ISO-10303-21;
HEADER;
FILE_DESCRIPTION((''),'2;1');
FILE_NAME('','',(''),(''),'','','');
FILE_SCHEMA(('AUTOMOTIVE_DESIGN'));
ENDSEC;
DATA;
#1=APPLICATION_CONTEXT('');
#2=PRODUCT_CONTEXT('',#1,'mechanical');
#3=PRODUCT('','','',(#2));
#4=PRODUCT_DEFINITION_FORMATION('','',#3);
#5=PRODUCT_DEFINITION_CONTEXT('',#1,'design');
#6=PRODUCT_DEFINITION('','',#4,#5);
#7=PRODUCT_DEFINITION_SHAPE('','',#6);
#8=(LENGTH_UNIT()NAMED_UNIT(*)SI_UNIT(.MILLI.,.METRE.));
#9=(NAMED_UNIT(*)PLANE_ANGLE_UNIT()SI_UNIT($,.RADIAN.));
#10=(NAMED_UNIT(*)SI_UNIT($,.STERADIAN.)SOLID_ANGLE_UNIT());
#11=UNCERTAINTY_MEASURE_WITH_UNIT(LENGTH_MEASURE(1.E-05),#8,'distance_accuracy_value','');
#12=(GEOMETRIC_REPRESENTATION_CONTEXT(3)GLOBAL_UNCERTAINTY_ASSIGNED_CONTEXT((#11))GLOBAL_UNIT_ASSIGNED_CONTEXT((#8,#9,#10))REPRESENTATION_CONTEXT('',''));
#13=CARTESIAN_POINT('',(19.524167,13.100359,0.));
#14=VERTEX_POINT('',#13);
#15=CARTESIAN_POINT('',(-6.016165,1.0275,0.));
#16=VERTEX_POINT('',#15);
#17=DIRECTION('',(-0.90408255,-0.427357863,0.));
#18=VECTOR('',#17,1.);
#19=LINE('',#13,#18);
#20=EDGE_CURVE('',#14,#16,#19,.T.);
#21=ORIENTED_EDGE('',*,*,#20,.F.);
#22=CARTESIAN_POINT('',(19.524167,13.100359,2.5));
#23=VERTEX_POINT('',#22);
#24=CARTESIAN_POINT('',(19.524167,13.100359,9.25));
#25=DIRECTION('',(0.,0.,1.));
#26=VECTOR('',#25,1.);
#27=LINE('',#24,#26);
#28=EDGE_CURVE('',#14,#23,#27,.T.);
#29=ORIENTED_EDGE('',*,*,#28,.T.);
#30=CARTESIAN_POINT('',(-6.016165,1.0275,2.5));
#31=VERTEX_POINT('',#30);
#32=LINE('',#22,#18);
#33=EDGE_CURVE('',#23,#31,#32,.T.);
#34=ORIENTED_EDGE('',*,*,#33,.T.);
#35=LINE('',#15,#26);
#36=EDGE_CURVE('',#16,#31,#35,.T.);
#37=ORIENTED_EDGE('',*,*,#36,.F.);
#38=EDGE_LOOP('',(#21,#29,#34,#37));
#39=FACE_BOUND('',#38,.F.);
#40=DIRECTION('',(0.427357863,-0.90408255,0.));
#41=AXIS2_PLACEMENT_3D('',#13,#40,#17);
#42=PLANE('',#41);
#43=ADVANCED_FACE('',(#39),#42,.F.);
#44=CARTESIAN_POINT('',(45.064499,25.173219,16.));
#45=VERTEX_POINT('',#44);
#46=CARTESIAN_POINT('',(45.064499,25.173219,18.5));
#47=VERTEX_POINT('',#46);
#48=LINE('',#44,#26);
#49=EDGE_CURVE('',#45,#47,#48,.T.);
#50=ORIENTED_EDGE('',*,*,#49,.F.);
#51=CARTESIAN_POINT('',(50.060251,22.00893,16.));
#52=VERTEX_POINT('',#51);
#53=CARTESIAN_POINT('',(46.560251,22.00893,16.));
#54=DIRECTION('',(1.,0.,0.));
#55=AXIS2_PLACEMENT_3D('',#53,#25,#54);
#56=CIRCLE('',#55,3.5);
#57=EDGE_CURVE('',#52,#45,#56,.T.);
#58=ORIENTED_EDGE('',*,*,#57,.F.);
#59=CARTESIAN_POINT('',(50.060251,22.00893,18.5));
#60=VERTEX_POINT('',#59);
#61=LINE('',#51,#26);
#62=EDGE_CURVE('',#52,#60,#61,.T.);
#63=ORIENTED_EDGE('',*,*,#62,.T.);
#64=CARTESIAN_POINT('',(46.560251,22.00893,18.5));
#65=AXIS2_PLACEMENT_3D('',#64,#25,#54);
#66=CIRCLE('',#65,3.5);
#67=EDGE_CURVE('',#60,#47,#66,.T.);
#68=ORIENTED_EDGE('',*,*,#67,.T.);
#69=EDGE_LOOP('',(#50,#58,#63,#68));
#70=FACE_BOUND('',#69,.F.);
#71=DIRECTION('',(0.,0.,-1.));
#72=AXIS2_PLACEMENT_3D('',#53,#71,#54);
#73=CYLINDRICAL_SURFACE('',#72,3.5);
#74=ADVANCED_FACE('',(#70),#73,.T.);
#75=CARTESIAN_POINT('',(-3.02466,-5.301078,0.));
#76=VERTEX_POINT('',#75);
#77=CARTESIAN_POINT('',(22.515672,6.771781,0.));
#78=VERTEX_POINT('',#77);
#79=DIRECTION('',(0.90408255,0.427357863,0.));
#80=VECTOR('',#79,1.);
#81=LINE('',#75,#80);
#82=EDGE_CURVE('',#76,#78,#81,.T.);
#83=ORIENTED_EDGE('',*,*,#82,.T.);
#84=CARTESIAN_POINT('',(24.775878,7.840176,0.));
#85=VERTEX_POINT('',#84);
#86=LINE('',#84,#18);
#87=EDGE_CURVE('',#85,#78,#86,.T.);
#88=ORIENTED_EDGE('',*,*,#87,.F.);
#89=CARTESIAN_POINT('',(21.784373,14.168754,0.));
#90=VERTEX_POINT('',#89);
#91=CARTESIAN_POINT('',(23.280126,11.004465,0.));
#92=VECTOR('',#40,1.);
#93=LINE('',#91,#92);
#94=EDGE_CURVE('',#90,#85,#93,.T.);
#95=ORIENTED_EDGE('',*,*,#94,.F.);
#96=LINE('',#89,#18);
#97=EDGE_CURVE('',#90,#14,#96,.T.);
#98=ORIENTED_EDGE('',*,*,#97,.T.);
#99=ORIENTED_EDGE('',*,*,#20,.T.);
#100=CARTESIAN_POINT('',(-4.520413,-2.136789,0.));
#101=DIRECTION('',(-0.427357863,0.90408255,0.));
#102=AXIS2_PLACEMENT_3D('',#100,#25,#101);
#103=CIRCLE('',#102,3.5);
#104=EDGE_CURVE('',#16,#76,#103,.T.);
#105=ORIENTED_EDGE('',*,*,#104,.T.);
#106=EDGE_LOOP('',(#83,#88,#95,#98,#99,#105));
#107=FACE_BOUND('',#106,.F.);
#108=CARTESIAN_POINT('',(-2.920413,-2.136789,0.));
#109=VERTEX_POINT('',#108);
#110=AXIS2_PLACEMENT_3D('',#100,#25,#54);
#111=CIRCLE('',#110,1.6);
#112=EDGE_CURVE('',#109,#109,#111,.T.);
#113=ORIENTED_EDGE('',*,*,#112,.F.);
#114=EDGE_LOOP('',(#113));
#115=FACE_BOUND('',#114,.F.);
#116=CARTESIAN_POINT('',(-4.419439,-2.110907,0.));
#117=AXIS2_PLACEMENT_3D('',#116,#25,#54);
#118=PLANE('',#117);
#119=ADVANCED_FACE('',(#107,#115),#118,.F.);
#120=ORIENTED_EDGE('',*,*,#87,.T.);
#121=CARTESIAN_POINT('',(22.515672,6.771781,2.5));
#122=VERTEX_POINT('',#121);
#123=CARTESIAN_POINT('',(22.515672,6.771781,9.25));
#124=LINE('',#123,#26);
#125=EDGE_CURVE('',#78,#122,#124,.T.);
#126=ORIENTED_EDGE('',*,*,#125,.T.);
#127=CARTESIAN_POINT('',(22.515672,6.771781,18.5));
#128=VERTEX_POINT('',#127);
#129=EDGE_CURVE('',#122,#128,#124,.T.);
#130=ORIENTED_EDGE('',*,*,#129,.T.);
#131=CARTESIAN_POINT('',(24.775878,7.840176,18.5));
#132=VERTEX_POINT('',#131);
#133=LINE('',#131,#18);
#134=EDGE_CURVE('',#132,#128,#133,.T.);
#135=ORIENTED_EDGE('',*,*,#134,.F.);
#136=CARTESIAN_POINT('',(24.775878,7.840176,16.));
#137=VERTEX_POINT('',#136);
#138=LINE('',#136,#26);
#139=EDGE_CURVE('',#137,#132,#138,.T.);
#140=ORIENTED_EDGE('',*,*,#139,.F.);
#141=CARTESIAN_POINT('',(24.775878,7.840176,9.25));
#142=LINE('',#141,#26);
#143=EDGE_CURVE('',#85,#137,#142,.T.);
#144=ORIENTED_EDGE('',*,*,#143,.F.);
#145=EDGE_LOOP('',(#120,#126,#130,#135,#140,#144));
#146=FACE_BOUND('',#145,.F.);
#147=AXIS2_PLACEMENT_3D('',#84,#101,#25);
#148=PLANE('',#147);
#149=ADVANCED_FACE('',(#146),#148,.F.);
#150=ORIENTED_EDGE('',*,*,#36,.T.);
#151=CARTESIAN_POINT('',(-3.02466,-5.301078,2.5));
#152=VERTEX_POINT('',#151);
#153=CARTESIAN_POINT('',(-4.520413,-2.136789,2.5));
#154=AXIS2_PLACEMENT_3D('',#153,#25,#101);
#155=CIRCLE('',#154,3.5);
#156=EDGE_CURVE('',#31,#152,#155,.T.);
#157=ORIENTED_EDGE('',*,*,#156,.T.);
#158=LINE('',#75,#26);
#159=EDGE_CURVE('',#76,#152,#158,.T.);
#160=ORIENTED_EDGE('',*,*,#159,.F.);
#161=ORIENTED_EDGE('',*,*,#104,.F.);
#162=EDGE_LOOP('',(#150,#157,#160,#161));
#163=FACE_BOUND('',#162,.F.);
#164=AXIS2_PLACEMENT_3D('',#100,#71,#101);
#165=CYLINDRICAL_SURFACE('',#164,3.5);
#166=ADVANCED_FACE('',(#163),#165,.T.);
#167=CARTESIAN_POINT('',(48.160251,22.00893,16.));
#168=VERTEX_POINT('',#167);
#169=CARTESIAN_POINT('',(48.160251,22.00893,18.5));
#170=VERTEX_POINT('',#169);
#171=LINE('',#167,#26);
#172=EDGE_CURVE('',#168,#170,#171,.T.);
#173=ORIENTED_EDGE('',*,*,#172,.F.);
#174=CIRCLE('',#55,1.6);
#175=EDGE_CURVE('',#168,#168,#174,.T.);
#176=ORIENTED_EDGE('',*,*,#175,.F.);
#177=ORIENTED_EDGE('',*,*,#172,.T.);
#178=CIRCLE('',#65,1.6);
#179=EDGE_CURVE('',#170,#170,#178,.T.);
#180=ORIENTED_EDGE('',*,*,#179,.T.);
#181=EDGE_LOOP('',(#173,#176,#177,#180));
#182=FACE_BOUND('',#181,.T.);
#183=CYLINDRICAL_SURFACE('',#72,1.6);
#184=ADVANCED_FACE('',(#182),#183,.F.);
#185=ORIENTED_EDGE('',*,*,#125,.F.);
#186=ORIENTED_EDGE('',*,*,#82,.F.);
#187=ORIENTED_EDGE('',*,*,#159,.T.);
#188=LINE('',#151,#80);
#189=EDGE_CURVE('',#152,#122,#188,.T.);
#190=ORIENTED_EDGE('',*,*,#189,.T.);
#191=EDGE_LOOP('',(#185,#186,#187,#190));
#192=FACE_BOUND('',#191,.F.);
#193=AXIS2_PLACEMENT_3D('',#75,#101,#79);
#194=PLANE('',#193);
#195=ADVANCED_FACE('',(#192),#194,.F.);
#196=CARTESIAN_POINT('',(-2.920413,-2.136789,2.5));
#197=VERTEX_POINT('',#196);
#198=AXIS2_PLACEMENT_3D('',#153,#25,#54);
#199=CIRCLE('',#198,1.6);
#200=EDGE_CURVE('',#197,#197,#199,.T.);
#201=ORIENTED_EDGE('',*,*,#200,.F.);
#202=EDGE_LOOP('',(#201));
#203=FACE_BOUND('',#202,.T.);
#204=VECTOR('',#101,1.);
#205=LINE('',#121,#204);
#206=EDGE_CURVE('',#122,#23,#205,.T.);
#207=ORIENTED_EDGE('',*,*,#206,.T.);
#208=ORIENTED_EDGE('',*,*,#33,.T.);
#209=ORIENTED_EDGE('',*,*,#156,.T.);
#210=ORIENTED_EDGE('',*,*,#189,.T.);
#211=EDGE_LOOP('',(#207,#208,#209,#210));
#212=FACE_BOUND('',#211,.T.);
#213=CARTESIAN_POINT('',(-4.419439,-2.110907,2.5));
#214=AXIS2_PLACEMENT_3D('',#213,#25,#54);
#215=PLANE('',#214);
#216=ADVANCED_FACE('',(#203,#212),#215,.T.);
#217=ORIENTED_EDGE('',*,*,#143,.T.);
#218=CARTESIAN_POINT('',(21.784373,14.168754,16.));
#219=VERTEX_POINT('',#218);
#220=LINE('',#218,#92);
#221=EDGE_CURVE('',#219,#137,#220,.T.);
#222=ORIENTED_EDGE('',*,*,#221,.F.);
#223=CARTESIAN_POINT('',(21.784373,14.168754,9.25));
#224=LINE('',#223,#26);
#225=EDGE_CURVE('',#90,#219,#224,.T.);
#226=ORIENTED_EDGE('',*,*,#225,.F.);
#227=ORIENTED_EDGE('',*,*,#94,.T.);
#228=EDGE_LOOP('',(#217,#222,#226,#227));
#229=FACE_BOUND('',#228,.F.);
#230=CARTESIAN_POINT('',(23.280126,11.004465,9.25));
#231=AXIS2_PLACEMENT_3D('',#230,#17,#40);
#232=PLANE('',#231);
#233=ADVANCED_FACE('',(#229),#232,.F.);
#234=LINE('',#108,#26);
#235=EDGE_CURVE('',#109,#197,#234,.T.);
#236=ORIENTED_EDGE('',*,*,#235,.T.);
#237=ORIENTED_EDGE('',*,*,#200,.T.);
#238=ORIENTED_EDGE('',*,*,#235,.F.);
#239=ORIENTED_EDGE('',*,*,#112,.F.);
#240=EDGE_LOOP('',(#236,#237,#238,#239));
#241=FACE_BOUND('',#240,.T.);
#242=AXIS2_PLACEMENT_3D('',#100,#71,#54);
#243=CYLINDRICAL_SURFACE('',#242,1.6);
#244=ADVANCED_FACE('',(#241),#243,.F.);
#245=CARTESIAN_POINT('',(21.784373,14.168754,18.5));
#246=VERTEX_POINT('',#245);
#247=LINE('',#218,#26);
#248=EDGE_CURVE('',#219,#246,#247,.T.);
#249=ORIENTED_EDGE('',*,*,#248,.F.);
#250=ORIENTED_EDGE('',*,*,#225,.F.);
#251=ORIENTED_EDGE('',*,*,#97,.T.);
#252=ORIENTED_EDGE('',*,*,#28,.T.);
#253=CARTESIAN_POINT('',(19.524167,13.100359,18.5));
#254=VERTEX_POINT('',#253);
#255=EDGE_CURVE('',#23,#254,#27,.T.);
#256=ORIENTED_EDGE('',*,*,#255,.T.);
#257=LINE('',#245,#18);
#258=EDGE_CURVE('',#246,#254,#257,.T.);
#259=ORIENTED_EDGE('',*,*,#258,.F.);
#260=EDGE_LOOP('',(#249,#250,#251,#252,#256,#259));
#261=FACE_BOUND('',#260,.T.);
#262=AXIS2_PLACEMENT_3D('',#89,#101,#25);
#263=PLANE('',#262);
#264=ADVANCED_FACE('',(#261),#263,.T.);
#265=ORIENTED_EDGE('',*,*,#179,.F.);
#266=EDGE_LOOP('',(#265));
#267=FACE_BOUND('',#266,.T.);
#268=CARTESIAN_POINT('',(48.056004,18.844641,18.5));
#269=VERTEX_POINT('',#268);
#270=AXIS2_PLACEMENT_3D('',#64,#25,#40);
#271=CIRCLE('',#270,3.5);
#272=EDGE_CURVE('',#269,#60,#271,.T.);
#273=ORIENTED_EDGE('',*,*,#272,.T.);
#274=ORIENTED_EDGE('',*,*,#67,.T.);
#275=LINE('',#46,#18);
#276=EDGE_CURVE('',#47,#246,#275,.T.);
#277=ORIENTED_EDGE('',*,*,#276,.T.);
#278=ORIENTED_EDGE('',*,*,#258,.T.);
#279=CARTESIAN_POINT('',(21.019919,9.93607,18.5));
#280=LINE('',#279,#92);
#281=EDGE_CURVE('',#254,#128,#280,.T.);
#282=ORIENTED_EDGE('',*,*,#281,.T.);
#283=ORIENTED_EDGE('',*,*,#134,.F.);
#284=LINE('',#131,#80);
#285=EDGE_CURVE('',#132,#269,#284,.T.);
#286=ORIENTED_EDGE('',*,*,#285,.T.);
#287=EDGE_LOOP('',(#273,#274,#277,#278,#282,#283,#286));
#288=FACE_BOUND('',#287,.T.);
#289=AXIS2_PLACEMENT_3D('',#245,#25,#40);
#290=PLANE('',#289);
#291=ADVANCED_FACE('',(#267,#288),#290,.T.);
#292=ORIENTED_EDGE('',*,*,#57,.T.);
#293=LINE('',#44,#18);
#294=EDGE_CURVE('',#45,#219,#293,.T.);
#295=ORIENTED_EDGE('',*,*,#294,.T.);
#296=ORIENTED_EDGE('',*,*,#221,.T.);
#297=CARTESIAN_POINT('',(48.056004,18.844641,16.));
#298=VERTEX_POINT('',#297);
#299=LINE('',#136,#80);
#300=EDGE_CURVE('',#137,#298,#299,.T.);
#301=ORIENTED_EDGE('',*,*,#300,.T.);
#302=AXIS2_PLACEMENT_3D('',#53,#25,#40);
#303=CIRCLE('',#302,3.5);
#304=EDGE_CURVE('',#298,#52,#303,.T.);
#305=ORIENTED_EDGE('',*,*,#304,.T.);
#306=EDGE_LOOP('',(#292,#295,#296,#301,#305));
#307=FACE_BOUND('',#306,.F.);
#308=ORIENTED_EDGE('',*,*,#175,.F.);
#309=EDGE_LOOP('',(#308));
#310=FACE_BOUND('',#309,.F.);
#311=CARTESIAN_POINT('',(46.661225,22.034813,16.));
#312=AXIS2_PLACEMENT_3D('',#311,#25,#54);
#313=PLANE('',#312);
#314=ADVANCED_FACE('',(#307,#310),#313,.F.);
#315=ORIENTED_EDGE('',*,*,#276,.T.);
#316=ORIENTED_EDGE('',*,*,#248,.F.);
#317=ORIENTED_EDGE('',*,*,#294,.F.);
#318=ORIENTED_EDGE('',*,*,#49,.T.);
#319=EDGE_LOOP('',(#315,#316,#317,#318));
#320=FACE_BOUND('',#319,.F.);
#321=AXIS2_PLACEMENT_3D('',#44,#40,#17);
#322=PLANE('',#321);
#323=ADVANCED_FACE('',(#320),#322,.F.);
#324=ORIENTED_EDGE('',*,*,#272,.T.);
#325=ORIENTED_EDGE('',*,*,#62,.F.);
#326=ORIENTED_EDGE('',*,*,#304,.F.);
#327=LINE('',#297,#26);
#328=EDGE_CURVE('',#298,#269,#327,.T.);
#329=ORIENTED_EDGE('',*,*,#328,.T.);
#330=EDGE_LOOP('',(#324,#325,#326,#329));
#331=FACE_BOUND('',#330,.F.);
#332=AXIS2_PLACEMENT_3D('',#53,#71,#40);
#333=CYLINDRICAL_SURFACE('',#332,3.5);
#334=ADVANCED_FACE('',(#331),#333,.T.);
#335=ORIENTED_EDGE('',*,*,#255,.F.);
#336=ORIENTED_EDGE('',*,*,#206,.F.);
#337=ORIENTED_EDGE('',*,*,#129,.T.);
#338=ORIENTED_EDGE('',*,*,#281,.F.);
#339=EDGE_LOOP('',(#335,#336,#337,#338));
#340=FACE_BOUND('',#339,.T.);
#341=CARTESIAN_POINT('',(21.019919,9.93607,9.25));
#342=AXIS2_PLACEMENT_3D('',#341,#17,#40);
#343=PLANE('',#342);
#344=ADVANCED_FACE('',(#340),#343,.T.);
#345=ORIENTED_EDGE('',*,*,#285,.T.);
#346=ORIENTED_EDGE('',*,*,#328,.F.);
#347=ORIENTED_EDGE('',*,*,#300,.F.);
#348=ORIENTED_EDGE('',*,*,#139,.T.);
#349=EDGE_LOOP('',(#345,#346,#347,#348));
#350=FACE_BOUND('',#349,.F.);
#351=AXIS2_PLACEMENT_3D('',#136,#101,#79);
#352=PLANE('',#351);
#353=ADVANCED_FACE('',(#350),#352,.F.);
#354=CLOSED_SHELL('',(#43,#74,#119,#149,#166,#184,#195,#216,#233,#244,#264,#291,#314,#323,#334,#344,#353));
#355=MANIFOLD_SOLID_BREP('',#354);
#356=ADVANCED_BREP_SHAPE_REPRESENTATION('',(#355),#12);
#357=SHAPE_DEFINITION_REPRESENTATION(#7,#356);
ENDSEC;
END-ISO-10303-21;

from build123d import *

# Parameters (mm, degrees)
F1_R     = 1.6
F2_DEPTH = 2.5
F3_W     = 7
F3_H     = 18.5
F4_DEPTH = 2.5
F5_R     = 1.6
F6_DEPTH = 2.5


with BuildPart() as f2:
    # F1 (on offset) → F2 (new body)
    with BuildSketch(Plane.XY.offset(16)):
        with BuildLine():
            ThreePointArc((48.0560038294, 18.8446410406), (49.5170345112, 20.1361157487), (50.0602513075, 22.0089299644))
            ThreePointArc((50.0602513075, 22.0089299644), (48.4330655233, 24.9657131681), (45.0644987857, 25.1732188883))
            ThreePointArc((45.0644987857, 25.1732188883), (43.3959623837, 20.5131774426), (48.0560038294, 18.8446410406))
        make_face()
        with Locations((46.5602513075, 22.0089299644)):
            Circle(F1_R, mode=Mode.SUBTRACT)
        with BuildLine():
            ThreePointArc((48.0560038294, 18.8446410406), (43.3959623837, 20.5131774426), (45.0644987857, 25.1732188883))
            Line((45.0644987857, 25.1732188883), (21.7843731319, 14.168753906))
            Line((21.7843731319, 14.168753906), (24.7758781756, 7.8401760584))
            Line((24.7758781756, 7.8401760584), (48.0560038294, 18.8446410406))
        make_face()
    extrude(amount=F2_DEPTH)

    # F3 (on face) → F4 (join)
    with BuildSketch(Plane(origin=(23.2801256538, 11.0044649822, 0), x_dir=(0.4273578634, -0.9040825497, 0), z_dir=(-0.9040825497, -0.4273578634, 0))):
        with Locations((0, 9.25)):
            Rectangle(F3_W, F3_H)
    extrude(amount=F4_DEPTH)

    # F5 (on Top) → F6 (join)
    with BuildSketch(Plane.XY):
        with BuildLine():
            ThreePointArc((-3.0246602264, -5.3010782407), (-1.5636295447, -4.0096035327), (-1.0204127483, -2.1367893169))
            ThreePointArc((-1.0204127483, -2.1367893169), (-2.6475985325, 0.8199938867), (-6.0161652702, 1.0274996069))
            ThreePointArc((-6.0161652702, 1.0274996069), (-7.6847016721, -3.6325418388), (-3.0246602264, -5.3010782407))
        make_face()
        with Locations((-4.5204127483, -2.1367893169)):
            Circle(F5_R, mode=Mode.SUBTRACT)
        with BuildLine():
            ThreePointArc((-6.0161652702, 1.0274996069), (-2.6475985325, 0.8199938867), (-1.0204127483, -2.1367893169))
            ThreePointArc((-1.0204127483, -2.1367893169), (-1.5636295447, -4.0096035327), (-3.0246602264, -5.3010782407))
            Line((-3.0246602264, -5.3010782407), (22.5156718015, 6.7717813999))
            Line((22.5156718015, 6.7717813999), (19.5241667578, 13.1003592476))
            Line((19.5241667578, 13.1003592476), (-6.0161652702, 1.0274996069))
        make_face()
    extrude(amount=F6_DEPTH)


solid = f2.part
